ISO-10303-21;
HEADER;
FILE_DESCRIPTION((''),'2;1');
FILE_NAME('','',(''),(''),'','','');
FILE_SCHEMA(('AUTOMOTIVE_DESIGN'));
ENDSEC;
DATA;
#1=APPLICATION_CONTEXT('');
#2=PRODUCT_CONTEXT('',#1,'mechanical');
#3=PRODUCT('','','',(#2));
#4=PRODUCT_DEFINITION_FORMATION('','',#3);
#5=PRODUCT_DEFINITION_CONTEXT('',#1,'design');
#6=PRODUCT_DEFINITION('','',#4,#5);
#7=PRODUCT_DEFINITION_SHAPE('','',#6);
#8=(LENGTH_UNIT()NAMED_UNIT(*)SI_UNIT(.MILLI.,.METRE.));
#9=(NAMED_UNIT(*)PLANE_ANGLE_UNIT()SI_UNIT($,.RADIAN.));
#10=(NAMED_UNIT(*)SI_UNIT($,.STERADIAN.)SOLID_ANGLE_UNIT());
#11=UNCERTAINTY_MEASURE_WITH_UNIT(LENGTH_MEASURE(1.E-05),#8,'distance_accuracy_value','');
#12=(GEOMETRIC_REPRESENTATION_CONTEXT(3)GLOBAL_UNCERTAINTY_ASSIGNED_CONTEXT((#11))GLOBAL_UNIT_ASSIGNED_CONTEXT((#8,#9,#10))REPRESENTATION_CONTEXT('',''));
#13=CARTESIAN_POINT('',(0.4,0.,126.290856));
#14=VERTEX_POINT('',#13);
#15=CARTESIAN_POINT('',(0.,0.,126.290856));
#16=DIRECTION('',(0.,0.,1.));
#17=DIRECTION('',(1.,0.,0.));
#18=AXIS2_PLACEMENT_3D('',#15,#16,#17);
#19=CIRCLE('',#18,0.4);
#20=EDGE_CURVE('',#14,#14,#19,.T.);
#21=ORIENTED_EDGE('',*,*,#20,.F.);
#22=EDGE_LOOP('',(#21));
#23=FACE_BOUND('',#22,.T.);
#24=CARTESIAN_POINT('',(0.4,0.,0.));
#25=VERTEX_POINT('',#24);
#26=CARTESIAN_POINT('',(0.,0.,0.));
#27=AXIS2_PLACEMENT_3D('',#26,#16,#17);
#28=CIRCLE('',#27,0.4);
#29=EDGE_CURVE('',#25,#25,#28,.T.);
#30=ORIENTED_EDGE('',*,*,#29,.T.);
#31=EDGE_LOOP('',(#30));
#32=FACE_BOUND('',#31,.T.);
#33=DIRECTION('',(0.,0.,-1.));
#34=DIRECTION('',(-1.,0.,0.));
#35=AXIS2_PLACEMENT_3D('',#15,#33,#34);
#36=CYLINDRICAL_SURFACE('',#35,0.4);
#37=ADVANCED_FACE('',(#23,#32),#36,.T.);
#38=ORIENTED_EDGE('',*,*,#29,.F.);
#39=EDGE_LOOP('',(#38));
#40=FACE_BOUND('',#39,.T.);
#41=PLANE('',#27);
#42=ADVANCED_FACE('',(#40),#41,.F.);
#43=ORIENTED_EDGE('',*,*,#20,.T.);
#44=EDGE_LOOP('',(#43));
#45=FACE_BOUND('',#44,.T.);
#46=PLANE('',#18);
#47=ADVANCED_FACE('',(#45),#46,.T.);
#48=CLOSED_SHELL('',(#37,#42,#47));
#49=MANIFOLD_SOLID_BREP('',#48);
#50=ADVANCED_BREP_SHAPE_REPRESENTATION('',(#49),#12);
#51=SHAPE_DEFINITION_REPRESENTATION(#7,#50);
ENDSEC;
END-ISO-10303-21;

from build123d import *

# Parameters (mm, degrees)
SKETCH_1_R = 0.4
D0P8_DEPTH = 126.290856353


with BuildPart() as part:
    # 草图1 → D0p8可调钢索_水平姿态跨度 (new body)
    with BuildSketch(Plane.XY):
        Circle(SKETCH_1_R)
    extrude(amount=D0P8_DEPTH)


solid = part.part
